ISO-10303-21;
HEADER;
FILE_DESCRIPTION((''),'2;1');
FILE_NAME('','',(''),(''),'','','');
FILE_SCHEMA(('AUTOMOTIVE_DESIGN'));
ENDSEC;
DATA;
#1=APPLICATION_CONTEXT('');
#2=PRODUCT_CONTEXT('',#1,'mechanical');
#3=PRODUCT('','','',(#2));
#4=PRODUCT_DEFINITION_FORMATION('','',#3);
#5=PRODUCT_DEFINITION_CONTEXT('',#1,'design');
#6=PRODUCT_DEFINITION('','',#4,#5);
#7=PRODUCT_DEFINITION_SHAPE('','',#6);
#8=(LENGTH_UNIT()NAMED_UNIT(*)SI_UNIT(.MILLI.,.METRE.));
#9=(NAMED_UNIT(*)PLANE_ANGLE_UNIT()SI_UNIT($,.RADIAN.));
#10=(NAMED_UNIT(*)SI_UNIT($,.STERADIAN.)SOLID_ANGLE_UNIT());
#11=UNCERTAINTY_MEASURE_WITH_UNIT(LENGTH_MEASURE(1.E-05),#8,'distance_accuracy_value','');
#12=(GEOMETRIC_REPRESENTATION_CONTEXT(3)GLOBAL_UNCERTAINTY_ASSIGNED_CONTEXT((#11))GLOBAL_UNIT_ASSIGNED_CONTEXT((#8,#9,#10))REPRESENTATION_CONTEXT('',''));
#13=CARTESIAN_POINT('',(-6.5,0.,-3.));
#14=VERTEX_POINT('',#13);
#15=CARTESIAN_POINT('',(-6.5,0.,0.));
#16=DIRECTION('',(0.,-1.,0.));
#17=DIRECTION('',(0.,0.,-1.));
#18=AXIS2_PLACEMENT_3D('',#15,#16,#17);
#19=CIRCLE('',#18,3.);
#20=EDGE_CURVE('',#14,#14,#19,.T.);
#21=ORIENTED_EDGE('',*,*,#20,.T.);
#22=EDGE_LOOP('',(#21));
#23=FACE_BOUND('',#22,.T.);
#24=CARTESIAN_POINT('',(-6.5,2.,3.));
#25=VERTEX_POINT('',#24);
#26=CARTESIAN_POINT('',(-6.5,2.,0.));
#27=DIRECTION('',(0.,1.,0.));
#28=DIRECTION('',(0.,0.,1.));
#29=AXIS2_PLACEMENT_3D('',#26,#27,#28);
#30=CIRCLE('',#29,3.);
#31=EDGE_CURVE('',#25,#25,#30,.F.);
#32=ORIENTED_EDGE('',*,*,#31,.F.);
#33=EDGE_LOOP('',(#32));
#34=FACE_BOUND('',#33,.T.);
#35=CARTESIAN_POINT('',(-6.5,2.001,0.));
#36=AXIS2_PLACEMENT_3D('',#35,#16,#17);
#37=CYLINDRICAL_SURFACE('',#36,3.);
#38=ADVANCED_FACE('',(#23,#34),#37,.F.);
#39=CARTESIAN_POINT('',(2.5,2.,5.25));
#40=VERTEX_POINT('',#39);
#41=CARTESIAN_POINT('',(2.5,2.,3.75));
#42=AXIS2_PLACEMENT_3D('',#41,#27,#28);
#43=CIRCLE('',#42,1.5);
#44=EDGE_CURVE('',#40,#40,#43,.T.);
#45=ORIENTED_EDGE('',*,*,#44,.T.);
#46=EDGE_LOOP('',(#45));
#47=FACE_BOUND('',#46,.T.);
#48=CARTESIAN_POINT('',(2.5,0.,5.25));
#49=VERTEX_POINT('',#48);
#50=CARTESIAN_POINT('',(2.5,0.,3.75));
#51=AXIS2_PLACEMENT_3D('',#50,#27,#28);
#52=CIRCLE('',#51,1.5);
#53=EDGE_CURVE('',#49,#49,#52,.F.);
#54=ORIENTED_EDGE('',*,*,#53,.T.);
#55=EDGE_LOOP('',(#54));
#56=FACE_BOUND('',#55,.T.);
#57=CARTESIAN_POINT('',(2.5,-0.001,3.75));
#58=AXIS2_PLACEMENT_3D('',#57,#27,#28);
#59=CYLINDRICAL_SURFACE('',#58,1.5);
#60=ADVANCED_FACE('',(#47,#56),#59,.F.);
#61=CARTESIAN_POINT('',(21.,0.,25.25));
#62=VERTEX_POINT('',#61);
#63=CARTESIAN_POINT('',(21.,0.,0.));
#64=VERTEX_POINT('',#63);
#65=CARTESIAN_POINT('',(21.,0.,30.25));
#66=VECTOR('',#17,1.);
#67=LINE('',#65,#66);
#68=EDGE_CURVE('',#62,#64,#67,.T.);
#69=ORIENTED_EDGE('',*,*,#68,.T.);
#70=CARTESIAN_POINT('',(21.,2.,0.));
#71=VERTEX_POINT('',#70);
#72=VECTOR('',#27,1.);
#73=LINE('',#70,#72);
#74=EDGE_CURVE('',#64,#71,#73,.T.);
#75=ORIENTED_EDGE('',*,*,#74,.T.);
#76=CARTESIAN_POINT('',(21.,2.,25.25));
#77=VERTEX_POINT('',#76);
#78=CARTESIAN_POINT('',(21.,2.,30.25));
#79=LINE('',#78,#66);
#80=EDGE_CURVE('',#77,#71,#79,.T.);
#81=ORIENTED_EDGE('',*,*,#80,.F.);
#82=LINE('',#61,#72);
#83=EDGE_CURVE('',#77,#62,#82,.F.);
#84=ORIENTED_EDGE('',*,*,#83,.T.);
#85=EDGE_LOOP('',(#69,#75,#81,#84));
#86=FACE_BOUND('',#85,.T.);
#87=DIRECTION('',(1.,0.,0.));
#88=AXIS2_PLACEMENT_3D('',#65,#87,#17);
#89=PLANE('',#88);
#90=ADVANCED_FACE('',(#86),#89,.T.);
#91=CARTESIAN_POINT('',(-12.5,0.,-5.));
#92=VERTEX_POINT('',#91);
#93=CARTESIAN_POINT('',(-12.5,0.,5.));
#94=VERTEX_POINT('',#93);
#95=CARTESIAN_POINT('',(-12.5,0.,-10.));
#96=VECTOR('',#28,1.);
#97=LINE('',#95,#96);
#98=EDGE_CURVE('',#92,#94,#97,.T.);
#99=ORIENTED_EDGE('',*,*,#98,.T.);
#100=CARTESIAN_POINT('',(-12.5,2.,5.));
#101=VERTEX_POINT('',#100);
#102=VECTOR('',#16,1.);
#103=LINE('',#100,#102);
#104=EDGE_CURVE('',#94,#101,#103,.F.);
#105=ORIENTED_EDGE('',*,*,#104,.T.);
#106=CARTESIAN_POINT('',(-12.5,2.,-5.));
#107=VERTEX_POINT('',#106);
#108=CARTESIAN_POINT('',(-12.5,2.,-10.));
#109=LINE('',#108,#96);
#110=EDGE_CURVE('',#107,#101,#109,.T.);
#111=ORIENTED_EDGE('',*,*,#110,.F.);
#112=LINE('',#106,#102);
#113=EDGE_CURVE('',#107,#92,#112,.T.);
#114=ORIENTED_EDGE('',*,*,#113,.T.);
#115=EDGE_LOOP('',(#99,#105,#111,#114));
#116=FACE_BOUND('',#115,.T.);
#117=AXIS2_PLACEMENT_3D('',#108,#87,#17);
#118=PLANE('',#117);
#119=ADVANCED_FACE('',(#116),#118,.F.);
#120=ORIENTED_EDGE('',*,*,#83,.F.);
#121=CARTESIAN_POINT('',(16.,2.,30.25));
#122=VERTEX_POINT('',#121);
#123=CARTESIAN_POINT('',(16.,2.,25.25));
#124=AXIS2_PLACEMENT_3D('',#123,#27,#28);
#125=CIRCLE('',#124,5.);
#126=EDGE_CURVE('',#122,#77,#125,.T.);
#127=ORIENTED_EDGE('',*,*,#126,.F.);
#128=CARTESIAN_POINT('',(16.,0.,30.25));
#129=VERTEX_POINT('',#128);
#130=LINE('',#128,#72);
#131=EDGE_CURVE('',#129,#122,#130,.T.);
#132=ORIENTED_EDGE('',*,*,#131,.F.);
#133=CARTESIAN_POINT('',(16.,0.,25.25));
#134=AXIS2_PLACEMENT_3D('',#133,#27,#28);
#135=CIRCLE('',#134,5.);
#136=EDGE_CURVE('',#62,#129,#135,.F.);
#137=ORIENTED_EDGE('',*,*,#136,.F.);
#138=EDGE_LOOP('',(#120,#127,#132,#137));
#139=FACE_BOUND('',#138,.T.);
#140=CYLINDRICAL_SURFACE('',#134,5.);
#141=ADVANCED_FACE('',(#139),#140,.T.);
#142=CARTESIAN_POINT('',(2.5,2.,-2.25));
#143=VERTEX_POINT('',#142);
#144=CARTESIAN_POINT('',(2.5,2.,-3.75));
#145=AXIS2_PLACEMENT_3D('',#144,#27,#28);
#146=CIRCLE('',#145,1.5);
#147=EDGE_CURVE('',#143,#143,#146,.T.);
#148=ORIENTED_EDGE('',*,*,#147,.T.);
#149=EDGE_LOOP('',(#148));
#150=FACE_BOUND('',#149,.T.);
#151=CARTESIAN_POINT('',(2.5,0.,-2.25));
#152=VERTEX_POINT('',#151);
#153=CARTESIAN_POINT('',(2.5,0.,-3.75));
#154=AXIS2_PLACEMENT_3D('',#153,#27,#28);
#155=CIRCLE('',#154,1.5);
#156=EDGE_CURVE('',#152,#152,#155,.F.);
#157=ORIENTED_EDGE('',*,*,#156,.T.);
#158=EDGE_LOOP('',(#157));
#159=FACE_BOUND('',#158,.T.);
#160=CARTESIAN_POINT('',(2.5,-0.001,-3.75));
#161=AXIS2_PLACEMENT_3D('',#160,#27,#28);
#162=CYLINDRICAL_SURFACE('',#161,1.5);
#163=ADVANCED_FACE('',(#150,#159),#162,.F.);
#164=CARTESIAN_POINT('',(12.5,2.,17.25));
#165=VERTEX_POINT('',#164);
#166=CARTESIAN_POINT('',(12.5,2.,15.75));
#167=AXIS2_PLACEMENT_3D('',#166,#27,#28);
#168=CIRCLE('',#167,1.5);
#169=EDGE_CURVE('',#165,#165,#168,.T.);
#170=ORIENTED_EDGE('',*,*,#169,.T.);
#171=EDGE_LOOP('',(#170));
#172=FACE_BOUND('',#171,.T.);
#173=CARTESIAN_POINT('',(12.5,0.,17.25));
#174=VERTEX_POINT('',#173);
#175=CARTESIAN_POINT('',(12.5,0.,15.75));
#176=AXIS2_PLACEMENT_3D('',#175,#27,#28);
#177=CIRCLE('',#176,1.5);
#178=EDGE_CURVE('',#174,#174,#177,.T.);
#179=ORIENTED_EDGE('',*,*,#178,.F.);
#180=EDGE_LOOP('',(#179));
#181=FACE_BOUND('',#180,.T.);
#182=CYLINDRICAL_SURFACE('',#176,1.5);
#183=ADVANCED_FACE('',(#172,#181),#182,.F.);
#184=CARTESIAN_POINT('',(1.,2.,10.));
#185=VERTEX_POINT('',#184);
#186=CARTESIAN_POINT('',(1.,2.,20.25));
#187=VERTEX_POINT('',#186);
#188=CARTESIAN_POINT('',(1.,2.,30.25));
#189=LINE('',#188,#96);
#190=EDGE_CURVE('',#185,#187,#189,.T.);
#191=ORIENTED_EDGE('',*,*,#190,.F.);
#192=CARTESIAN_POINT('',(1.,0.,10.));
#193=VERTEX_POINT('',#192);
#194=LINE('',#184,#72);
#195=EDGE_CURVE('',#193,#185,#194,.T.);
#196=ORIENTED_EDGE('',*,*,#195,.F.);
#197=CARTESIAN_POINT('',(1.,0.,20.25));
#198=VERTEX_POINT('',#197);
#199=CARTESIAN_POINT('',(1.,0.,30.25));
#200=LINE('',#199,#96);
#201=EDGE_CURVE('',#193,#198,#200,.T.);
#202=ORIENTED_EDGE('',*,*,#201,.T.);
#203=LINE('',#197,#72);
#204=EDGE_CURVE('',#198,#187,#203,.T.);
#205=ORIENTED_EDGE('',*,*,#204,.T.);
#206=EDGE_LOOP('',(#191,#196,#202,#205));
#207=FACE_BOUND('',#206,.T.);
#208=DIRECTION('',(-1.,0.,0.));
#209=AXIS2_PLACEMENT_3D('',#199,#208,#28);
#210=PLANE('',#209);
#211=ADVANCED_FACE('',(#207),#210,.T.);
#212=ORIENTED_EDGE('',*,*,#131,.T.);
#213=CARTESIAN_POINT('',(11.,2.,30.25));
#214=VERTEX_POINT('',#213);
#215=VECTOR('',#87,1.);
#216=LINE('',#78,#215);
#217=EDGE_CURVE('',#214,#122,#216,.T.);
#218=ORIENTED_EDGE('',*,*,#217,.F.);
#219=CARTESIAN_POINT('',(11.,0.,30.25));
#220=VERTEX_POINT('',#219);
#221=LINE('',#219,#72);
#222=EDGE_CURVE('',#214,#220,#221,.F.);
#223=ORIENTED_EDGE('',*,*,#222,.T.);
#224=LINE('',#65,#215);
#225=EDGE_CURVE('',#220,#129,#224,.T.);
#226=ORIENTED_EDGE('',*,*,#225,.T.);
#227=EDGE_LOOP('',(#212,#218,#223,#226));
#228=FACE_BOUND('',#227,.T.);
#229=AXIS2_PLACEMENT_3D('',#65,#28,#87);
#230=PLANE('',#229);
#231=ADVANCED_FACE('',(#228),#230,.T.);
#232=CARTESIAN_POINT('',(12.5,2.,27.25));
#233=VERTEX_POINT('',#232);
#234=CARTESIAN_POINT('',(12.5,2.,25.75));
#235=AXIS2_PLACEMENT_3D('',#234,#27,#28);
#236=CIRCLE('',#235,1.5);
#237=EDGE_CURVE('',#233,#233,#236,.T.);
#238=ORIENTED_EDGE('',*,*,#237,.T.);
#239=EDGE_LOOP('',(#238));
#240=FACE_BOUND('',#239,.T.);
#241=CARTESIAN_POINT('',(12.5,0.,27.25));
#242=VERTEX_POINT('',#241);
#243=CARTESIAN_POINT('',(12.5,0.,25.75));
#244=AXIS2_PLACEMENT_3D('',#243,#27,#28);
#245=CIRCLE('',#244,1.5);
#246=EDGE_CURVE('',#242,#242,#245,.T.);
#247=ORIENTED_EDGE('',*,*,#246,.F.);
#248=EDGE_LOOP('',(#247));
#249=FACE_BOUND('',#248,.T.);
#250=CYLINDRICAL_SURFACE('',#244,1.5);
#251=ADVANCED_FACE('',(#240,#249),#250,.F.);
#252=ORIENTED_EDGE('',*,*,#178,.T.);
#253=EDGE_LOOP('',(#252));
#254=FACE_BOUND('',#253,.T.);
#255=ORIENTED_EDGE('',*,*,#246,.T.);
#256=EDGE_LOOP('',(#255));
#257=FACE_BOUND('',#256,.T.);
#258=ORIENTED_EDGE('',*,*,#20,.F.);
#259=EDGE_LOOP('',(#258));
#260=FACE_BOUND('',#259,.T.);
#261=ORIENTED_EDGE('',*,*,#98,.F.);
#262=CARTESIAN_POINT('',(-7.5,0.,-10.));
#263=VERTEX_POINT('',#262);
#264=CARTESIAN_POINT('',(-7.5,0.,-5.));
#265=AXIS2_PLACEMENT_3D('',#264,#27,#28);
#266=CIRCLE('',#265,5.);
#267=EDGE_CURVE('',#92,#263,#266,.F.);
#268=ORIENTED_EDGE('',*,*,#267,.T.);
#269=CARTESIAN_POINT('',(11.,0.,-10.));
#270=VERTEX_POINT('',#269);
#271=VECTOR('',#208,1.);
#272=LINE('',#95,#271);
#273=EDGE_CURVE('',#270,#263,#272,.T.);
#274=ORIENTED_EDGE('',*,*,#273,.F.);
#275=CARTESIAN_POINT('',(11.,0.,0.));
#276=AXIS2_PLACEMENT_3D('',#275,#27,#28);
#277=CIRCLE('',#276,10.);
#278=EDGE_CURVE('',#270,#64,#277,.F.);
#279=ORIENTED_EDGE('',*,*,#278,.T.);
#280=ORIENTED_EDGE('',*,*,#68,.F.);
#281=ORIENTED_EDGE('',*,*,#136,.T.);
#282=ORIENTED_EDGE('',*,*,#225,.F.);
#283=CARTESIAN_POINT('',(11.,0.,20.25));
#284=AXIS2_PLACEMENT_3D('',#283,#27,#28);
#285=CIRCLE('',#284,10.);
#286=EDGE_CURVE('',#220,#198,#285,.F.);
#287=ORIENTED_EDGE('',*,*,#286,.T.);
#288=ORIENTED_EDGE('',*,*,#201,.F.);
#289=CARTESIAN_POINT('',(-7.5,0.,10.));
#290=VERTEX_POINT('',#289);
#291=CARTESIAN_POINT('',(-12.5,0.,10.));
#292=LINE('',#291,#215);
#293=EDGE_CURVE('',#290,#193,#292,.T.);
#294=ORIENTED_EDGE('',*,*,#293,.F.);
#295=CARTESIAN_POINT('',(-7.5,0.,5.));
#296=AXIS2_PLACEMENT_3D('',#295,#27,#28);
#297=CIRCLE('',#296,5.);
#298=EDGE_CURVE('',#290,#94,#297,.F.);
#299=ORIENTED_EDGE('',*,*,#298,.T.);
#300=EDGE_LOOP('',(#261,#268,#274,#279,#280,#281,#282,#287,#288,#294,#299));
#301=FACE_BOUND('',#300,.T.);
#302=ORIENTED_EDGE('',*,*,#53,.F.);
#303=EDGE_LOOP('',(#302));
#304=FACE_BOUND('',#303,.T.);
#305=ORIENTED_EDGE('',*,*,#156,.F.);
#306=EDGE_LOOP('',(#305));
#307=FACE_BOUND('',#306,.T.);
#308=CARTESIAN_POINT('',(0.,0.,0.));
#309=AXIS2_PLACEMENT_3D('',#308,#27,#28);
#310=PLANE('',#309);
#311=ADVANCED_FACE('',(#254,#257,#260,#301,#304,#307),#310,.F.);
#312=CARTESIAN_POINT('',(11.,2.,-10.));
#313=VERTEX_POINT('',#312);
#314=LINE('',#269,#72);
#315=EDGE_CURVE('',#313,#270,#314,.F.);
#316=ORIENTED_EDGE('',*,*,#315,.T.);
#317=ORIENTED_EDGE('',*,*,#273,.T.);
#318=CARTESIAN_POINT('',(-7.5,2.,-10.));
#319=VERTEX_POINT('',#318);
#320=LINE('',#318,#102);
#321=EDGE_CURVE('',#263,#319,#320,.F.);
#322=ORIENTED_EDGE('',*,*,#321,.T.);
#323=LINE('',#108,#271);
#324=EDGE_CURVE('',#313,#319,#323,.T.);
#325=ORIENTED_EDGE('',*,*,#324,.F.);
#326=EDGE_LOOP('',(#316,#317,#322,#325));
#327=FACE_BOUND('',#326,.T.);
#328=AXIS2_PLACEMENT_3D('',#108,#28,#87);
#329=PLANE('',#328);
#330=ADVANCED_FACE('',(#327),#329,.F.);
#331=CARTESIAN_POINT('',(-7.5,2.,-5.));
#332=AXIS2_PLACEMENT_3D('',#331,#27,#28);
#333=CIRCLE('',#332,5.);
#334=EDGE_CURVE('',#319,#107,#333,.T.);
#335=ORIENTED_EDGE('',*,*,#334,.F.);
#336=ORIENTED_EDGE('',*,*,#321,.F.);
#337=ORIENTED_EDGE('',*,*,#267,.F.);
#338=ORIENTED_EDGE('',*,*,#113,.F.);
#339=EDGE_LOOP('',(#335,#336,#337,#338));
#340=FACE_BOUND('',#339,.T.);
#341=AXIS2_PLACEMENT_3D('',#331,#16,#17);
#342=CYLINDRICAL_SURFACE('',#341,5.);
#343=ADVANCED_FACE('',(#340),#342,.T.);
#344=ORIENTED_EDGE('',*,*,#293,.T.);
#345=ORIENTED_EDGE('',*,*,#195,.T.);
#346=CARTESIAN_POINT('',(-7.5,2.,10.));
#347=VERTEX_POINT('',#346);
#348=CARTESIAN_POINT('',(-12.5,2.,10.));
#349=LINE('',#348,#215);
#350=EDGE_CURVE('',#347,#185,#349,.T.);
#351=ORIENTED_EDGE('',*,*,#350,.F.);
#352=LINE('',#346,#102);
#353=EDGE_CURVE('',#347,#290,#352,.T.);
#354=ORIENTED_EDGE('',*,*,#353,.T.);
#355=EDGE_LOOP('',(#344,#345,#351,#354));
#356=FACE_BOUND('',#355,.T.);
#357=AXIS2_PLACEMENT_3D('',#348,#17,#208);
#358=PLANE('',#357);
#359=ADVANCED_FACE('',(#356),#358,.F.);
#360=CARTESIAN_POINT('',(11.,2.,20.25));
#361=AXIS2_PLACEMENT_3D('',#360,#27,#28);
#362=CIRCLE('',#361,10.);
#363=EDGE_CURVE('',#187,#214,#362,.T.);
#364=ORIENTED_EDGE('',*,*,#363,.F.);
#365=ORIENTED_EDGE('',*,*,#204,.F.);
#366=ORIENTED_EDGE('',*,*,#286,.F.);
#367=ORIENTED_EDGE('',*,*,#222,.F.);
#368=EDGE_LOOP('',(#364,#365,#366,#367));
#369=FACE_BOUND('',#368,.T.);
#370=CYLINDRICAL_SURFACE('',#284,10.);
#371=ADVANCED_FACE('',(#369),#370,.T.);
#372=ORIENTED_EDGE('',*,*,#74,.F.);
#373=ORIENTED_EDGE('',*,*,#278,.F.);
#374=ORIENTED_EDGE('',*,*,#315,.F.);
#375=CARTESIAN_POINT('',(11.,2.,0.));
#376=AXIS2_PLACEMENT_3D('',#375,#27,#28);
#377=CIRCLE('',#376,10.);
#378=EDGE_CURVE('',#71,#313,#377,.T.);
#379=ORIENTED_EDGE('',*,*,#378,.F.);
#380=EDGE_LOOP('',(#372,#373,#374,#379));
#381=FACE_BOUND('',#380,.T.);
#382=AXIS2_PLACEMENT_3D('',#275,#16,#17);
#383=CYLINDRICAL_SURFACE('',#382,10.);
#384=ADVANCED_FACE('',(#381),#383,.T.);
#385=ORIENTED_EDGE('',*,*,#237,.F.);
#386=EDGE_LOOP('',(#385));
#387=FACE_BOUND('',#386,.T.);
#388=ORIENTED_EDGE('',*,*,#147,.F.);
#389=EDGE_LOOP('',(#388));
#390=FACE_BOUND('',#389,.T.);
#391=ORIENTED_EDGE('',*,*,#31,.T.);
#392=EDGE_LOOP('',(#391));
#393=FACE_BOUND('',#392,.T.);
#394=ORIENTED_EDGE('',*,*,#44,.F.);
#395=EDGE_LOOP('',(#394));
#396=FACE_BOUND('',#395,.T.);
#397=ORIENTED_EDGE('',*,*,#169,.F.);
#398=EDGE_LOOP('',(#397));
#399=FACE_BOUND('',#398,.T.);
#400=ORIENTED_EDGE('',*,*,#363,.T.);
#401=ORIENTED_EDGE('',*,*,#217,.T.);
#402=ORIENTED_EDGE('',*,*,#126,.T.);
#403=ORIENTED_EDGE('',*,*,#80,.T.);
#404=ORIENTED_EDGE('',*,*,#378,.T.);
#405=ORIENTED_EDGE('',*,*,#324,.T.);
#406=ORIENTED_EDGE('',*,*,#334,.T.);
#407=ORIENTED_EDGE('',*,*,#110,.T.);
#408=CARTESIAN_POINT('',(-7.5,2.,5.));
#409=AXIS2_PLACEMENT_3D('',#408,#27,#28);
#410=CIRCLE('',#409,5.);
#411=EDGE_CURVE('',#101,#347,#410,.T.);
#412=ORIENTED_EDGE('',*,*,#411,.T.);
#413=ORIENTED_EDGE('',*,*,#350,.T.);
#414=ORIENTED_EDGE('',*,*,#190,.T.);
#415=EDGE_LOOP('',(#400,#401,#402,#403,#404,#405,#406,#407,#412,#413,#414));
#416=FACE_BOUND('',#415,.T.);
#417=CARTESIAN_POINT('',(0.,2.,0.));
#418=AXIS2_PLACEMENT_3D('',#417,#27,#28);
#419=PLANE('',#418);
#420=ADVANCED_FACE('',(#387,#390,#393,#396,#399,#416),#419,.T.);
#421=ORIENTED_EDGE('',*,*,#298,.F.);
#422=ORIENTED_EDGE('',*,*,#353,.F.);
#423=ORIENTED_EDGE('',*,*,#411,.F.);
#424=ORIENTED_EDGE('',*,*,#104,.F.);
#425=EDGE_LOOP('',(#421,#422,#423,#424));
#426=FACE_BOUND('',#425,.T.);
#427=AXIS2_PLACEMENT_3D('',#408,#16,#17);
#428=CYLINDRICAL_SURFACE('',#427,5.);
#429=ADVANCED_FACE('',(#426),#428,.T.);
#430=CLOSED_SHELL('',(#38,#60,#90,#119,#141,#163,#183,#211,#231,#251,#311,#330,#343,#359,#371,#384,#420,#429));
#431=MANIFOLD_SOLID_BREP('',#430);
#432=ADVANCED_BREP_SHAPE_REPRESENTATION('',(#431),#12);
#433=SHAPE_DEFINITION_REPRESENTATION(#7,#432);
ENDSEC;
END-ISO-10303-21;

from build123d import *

# Parameters (mm, degrees)
SKETCH1_W           = 25
SKETCH1_H           = 20
BOSS_EXTRUDE1_DEPTH = 2
CUT_EXTRUDE1_REACH  = 18.132
SKETCH2_R           = 1.5
CUT_EXTRUDE2_REACH  = 18.132
SKETCH3_R           = 3
SKETCH4_W           = 20
SKETCH4_H           = 25
BOSS_EXTRUDE2_DEPTH = 2
BOSS_EXTRUDE3_DEPTH = 2
SKETCH6_R           = 1.5
CUT_EXTRUDE3_DEPTH  = 2
SKETCH7_W           = 8.5
SKETCH7_H           = 15.25
BOSS_EXTRUDE5_DEPTH = 2
FILLET1_R           = 10
FILLET2_R           = 5


with BuildPart() as part:
    # Sketch1 → Boss-Extrude1 (new body)
    with BuildSketch(Plane(origin=(0, 0, 0), x_dir=(1, 0, 0), z_dir=(0, 1, 0))):
        Rectangle(SKETCH1_W, SKETCH1_H)
    extrude(amount=BOSS_EXTRUDE1_DEPTH)

    # Sketch2 → Cut-Extrude1 (cut, up to next)
    with BuildSketch(Plane(origin=(0, 2, 0), x_dir=(1, 0, 0), z_dir=(0, 1, 0)), mode=Mode.PRIVATE) as cut_extrude1_sk1:
        with Locations(Location((-6.5, 0, 0), (0, 0, 270))):
            Circle(SKETCH2_R)
    cut_extrude1_tool1 = extrude(cut_extrude1_sk1.sketch, amount=-CUT_EXTRUDE1_REACH, mode=Mode.PRIVATE) & part.part
    # Sketch2 → Cut-Extrude1 (cut, up to next)
    with BuildSketch(Plane(origin=(0, 2, 0), x_dir=(1, 0, 0), z_dir=(0, 1, 0)), mode=Mode.PRIVATE) as cut_extrude1_sk2:
        with Locations(Location((2.5, 3.75, 0), (0, 0, 270))):
            Circle(SKETCH2_R)
    cut_extrude1_tool2 = extrude(cut_extrude1_sk2.sketch, amount=-CUT_EXTRUDE1_REACH, mode=Mode.PRIVATE) & part.part
    # Sketch2 → Cut-Extrude1 (cut, up to next)
    with BuildSketch(Plane(origin=(0, 2, 0), x_dir=(1, 0, 0), z_dir=(0, 1, 0)), mode=Mode.PRIVATE) as cut_extrude1_sk3:
        with Locations(Location((2.5, -3.75, 0), (0, 0, 270))):
            Circle(SKETCH2_R)
    cut_extrude1_tool3 = extrude(cut_extrude1_sk3.sketch, amount=-CUT_EXTRUDE1_REACH, mode=Mode.PRIVATE) & part.part
    add(cut_extrude1_tool1.solids().sort_by_distance((-6.5, 2, 0))[0], mode=Mode.SUBTRACT)
    add(cut_extrude1_tool2.solids().sort_by_distance((2.5, 2, -3.75))[0], mode=Mode.SUBTRACT)
    add(cut_extrude1_tool3.solids().sort_by_distance((2.5, 2, 3.75))[0], mode=Mode.SUBTRACT)

    # Sketch3 → Cut-Extrude2 (cut, up to next)
    with BuildSketch(Plane(origin=(0, 0, 0), x_dir=(-1, 0, 0), z_dir=(0, -1, 0)), mode=Mode.PRIVATE) as cut_extrude2_sk1:
        with Locations(Location((6.5, 0, 0), (0, 0, 90))):
            Circle(SKETCH3_R)
    cut_extrude2_tool1 = extrude(cut_extrude2_sk1.sketch, amount=-CUT_EXTRUDE2_REACH, mode=Mode.PRIVATE) & part.part
    add(cut_extrude2_tool1.solids().sort_by_distance((-6.5, 0, 0))[0], mode=Mode.SUBTRACT)

    # Sketch4 → Boss-Extrude2 (add)
    with BuildSketch(Plane(origin=(0, 2, 0), x_dir=(1, 0, 0), z_dir=(0, 1, 0))):
        with Locations((11, -17.75)):
            Rectangle(SKETCH4_W, SKETCH4_H)
    extrude(amount=-BOSS_EXTRUDE2_DEPTH)

    # Sketch5 → Boss-Extrude3 (add)
    with BuildSketch(Plane(origin=(0, 2, 0), x_dir=(1, 0, 0), z_dir=(0, 1, 0))):
        Polygon((12.5, 10), (12.5, -5.25), (21, -5.25), align=None)
    extrude(amount=-BOSS_EXTRUDE3_DEPTH)

    # Sketch6 → Cut-Extrude3 (cut)
    with BuildSketch(Plane(origin=(0, 2, 0), x_dir=(1, 0, 0), z_dir=(0, 1, 0))):
        with Locations(Location((12.5, -15.75, 0), (0, 0, 270))):
            Circle(SKETCH6_R)
        with Locations(Location((12.5, -25.75, 0), (0, 0, 270))):
            Circle(SKETCH6_R)
    extrude(amount=-CUT_EXTRUDE3_DEPTH, mode=Mode.SUBTRACT)

    # Sketch7 → Boss-Extrude5 (add)
    with BuildSketch(Plane(origin=(0, 2, 0), x_dir=(1, 0, 0), z_dir=(0, 1, 0))):
        with Locations((16.75, 2.375)):
            Rectangle(SKETCH7_W, SKETCH7_H)
    extrude(amount=-BOSS_EXTRUDE5_DEPTH)

    # Fillet1
    fillet1_edges = [part.edges().sort_by_distance(p)[0] for p in [
        (1, 1, 30.25),
        (21, 1, -10),
    ]]
    fillet(fillet1_edges, radius=FILLET1_R)

    # Fillet2
    fillet2_edges = [part.edges().sort_by_distance(p)[0] for p in [
        (21, 1, 30.25),
        (-12.5, 1, 10),
        (-12.5, 1, -10),
    ]]
    fillet(fillet2_edges, radius=FILLET2_R)


solid = part.part
